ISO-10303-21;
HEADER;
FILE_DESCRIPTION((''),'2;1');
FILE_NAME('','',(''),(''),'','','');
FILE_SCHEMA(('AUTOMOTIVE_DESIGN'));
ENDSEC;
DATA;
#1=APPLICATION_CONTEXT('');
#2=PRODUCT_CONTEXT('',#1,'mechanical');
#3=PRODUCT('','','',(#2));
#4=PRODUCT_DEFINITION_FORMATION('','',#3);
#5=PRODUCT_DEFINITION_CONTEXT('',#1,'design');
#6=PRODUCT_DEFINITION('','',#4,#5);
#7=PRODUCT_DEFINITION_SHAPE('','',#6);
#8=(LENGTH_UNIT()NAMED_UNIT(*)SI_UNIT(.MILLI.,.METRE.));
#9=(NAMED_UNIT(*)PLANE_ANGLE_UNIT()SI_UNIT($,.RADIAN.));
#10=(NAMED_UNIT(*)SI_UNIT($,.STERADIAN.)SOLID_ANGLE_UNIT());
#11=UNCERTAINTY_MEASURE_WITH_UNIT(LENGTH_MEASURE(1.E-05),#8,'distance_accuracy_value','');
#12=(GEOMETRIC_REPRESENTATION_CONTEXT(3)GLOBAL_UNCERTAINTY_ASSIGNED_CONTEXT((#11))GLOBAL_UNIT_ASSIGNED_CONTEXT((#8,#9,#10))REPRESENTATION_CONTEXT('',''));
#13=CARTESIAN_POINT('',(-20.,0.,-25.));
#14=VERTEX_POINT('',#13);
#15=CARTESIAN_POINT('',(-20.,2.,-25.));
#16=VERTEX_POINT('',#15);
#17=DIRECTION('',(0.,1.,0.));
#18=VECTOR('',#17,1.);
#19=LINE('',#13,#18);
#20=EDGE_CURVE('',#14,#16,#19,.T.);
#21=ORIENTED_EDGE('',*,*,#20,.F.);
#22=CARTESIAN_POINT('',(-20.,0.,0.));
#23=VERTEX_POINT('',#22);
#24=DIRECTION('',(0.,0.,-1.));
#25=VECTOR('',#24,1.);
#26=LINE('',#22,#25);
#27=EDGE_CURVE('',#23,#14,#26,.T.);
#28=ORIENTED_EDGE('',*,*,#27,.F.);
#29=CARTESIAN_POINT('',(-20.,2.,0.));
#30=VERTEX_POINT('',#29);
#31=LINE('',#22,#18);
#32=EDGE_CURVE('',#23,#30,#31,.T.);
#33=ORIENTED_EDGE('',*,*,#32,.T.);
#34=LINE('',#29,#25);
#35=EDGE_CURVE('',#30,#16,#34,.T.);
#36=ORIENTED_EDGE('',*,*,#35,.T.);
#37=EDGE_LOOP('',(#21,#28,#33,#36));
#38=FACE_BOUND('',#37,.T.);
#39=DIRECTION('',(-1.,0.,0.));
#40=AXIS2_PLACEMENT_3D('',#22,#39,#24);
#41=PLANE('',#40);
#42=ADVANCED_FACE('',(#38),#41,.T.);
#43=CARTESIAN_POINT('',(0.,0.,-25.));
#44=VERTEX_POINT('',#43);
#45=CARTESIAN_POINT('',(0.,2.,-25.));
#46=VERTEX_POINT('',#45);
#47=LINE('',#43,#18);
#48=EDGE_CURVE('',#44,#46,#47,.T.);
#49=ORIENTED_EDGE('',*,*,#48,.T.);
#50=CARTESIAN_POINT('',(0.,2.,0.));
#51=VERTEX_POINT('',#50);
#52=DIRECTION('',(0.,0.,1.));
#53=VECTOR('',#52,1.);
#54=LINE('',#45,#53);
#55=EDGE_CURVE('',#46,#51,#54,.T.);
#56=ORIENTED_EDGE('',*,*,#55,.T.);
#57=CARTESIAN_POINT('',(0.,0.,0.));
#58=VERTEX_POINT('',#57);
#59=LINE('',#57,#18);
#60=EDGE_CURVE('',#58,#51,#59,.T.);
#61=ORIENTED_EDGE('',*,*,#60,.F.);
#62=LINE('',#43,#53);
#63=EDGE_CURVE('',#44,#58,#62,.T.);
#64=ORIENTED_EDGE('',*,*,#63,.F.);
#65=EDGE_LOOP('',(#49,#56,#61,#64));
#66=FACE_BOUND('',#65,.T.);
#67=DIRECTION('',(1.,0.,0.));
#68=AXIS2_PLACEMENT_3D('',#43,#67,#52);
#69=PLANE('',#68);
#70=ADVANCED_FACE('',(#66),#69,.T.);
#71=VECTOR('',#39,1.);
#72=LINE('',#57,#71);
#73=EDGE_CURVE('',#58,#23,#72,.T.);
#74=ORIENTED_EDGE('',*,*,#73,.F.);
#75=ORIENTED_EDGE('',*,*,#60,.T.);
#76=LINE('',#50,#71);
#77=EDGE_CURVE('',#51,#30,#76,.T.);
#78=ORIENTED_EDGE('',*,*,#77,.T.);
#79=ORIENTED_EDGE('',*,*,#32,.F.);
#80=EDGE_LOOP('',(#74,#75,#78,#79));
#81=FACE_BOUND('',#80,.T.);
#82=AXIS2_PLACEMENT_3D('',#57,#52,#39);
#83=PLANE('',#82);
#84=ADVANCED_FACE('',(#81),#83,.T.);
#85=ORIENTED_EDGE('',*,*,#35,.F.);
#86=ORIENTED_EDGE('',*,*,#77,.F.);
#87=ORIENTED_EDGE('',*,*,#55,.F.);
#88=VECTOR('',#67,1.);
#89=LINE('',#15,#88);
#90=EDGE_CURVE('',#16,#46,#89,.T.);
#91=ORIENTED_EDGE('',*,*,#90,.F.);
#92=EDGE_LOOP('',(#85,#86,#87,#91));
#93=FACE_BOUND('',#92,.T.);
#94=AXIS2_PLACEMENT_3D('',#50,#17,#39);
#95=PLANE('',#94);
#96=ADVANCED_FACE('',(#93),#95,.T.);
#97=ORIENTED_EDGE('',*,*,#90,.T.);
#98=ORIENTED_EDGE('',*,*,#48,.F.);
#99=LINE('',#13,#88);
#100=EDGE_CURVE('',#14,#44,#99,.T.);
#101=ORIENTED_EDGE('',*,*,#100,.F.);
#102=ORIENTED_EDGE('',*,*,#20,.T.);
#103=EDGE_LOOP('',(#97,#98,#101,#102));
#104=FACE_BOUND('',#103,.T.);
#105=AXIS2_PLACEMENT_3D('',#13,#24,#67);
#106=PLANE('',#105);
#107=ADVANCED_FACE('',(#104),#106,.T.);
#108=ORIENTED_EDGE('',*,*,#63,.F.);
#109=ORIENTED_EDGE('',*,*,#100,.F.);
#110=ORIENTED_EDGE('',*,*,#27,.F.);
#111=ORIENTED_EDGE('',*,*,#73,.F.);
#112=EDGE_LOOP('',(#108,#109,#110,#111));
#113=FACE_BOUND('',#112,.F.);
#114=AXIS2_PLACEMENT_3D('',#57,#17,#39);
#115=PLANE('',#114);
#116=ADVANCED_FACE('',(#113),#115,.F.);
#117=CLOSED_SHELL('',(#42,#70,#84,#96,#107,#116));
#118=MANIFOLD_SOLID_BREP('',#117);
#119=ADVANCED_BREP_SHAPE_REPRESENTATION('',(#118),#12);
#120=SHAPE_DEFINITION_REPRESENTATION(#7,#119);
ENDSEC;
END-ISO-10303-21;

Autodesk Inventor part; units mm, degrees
ref_plane "YZ Plane" through (0, 0, 0) normal (1, 0, 0) x (0, 1, 0)
ref_plane "XZ Plane" through (0, 0, 0) normal (0, 1, 0) x (-1, 0, 0)
ref_plane "XY Plane" through (0, 0, 0) normal (0, 0, 1) x (1, 0, 0)
sketch "Esquisse1" plane through (0, 0, 0) normal (0, 1, 0) x (-1, 0, 0)
  line L0 (0, 0) -> (20, 0)
  line L1 (20, 0) -> (20, -25)
  line L2 (20, -25) -> (0, -25)
  line L3 (0, -25) -> (0, 0)
  dimension "d0" = 20
  dimension "d1" = 25
extrude "Extrusion1" add sketch "Esquisse1" along normal blind 2
properties part number "DoF SEN-MPU6050"
